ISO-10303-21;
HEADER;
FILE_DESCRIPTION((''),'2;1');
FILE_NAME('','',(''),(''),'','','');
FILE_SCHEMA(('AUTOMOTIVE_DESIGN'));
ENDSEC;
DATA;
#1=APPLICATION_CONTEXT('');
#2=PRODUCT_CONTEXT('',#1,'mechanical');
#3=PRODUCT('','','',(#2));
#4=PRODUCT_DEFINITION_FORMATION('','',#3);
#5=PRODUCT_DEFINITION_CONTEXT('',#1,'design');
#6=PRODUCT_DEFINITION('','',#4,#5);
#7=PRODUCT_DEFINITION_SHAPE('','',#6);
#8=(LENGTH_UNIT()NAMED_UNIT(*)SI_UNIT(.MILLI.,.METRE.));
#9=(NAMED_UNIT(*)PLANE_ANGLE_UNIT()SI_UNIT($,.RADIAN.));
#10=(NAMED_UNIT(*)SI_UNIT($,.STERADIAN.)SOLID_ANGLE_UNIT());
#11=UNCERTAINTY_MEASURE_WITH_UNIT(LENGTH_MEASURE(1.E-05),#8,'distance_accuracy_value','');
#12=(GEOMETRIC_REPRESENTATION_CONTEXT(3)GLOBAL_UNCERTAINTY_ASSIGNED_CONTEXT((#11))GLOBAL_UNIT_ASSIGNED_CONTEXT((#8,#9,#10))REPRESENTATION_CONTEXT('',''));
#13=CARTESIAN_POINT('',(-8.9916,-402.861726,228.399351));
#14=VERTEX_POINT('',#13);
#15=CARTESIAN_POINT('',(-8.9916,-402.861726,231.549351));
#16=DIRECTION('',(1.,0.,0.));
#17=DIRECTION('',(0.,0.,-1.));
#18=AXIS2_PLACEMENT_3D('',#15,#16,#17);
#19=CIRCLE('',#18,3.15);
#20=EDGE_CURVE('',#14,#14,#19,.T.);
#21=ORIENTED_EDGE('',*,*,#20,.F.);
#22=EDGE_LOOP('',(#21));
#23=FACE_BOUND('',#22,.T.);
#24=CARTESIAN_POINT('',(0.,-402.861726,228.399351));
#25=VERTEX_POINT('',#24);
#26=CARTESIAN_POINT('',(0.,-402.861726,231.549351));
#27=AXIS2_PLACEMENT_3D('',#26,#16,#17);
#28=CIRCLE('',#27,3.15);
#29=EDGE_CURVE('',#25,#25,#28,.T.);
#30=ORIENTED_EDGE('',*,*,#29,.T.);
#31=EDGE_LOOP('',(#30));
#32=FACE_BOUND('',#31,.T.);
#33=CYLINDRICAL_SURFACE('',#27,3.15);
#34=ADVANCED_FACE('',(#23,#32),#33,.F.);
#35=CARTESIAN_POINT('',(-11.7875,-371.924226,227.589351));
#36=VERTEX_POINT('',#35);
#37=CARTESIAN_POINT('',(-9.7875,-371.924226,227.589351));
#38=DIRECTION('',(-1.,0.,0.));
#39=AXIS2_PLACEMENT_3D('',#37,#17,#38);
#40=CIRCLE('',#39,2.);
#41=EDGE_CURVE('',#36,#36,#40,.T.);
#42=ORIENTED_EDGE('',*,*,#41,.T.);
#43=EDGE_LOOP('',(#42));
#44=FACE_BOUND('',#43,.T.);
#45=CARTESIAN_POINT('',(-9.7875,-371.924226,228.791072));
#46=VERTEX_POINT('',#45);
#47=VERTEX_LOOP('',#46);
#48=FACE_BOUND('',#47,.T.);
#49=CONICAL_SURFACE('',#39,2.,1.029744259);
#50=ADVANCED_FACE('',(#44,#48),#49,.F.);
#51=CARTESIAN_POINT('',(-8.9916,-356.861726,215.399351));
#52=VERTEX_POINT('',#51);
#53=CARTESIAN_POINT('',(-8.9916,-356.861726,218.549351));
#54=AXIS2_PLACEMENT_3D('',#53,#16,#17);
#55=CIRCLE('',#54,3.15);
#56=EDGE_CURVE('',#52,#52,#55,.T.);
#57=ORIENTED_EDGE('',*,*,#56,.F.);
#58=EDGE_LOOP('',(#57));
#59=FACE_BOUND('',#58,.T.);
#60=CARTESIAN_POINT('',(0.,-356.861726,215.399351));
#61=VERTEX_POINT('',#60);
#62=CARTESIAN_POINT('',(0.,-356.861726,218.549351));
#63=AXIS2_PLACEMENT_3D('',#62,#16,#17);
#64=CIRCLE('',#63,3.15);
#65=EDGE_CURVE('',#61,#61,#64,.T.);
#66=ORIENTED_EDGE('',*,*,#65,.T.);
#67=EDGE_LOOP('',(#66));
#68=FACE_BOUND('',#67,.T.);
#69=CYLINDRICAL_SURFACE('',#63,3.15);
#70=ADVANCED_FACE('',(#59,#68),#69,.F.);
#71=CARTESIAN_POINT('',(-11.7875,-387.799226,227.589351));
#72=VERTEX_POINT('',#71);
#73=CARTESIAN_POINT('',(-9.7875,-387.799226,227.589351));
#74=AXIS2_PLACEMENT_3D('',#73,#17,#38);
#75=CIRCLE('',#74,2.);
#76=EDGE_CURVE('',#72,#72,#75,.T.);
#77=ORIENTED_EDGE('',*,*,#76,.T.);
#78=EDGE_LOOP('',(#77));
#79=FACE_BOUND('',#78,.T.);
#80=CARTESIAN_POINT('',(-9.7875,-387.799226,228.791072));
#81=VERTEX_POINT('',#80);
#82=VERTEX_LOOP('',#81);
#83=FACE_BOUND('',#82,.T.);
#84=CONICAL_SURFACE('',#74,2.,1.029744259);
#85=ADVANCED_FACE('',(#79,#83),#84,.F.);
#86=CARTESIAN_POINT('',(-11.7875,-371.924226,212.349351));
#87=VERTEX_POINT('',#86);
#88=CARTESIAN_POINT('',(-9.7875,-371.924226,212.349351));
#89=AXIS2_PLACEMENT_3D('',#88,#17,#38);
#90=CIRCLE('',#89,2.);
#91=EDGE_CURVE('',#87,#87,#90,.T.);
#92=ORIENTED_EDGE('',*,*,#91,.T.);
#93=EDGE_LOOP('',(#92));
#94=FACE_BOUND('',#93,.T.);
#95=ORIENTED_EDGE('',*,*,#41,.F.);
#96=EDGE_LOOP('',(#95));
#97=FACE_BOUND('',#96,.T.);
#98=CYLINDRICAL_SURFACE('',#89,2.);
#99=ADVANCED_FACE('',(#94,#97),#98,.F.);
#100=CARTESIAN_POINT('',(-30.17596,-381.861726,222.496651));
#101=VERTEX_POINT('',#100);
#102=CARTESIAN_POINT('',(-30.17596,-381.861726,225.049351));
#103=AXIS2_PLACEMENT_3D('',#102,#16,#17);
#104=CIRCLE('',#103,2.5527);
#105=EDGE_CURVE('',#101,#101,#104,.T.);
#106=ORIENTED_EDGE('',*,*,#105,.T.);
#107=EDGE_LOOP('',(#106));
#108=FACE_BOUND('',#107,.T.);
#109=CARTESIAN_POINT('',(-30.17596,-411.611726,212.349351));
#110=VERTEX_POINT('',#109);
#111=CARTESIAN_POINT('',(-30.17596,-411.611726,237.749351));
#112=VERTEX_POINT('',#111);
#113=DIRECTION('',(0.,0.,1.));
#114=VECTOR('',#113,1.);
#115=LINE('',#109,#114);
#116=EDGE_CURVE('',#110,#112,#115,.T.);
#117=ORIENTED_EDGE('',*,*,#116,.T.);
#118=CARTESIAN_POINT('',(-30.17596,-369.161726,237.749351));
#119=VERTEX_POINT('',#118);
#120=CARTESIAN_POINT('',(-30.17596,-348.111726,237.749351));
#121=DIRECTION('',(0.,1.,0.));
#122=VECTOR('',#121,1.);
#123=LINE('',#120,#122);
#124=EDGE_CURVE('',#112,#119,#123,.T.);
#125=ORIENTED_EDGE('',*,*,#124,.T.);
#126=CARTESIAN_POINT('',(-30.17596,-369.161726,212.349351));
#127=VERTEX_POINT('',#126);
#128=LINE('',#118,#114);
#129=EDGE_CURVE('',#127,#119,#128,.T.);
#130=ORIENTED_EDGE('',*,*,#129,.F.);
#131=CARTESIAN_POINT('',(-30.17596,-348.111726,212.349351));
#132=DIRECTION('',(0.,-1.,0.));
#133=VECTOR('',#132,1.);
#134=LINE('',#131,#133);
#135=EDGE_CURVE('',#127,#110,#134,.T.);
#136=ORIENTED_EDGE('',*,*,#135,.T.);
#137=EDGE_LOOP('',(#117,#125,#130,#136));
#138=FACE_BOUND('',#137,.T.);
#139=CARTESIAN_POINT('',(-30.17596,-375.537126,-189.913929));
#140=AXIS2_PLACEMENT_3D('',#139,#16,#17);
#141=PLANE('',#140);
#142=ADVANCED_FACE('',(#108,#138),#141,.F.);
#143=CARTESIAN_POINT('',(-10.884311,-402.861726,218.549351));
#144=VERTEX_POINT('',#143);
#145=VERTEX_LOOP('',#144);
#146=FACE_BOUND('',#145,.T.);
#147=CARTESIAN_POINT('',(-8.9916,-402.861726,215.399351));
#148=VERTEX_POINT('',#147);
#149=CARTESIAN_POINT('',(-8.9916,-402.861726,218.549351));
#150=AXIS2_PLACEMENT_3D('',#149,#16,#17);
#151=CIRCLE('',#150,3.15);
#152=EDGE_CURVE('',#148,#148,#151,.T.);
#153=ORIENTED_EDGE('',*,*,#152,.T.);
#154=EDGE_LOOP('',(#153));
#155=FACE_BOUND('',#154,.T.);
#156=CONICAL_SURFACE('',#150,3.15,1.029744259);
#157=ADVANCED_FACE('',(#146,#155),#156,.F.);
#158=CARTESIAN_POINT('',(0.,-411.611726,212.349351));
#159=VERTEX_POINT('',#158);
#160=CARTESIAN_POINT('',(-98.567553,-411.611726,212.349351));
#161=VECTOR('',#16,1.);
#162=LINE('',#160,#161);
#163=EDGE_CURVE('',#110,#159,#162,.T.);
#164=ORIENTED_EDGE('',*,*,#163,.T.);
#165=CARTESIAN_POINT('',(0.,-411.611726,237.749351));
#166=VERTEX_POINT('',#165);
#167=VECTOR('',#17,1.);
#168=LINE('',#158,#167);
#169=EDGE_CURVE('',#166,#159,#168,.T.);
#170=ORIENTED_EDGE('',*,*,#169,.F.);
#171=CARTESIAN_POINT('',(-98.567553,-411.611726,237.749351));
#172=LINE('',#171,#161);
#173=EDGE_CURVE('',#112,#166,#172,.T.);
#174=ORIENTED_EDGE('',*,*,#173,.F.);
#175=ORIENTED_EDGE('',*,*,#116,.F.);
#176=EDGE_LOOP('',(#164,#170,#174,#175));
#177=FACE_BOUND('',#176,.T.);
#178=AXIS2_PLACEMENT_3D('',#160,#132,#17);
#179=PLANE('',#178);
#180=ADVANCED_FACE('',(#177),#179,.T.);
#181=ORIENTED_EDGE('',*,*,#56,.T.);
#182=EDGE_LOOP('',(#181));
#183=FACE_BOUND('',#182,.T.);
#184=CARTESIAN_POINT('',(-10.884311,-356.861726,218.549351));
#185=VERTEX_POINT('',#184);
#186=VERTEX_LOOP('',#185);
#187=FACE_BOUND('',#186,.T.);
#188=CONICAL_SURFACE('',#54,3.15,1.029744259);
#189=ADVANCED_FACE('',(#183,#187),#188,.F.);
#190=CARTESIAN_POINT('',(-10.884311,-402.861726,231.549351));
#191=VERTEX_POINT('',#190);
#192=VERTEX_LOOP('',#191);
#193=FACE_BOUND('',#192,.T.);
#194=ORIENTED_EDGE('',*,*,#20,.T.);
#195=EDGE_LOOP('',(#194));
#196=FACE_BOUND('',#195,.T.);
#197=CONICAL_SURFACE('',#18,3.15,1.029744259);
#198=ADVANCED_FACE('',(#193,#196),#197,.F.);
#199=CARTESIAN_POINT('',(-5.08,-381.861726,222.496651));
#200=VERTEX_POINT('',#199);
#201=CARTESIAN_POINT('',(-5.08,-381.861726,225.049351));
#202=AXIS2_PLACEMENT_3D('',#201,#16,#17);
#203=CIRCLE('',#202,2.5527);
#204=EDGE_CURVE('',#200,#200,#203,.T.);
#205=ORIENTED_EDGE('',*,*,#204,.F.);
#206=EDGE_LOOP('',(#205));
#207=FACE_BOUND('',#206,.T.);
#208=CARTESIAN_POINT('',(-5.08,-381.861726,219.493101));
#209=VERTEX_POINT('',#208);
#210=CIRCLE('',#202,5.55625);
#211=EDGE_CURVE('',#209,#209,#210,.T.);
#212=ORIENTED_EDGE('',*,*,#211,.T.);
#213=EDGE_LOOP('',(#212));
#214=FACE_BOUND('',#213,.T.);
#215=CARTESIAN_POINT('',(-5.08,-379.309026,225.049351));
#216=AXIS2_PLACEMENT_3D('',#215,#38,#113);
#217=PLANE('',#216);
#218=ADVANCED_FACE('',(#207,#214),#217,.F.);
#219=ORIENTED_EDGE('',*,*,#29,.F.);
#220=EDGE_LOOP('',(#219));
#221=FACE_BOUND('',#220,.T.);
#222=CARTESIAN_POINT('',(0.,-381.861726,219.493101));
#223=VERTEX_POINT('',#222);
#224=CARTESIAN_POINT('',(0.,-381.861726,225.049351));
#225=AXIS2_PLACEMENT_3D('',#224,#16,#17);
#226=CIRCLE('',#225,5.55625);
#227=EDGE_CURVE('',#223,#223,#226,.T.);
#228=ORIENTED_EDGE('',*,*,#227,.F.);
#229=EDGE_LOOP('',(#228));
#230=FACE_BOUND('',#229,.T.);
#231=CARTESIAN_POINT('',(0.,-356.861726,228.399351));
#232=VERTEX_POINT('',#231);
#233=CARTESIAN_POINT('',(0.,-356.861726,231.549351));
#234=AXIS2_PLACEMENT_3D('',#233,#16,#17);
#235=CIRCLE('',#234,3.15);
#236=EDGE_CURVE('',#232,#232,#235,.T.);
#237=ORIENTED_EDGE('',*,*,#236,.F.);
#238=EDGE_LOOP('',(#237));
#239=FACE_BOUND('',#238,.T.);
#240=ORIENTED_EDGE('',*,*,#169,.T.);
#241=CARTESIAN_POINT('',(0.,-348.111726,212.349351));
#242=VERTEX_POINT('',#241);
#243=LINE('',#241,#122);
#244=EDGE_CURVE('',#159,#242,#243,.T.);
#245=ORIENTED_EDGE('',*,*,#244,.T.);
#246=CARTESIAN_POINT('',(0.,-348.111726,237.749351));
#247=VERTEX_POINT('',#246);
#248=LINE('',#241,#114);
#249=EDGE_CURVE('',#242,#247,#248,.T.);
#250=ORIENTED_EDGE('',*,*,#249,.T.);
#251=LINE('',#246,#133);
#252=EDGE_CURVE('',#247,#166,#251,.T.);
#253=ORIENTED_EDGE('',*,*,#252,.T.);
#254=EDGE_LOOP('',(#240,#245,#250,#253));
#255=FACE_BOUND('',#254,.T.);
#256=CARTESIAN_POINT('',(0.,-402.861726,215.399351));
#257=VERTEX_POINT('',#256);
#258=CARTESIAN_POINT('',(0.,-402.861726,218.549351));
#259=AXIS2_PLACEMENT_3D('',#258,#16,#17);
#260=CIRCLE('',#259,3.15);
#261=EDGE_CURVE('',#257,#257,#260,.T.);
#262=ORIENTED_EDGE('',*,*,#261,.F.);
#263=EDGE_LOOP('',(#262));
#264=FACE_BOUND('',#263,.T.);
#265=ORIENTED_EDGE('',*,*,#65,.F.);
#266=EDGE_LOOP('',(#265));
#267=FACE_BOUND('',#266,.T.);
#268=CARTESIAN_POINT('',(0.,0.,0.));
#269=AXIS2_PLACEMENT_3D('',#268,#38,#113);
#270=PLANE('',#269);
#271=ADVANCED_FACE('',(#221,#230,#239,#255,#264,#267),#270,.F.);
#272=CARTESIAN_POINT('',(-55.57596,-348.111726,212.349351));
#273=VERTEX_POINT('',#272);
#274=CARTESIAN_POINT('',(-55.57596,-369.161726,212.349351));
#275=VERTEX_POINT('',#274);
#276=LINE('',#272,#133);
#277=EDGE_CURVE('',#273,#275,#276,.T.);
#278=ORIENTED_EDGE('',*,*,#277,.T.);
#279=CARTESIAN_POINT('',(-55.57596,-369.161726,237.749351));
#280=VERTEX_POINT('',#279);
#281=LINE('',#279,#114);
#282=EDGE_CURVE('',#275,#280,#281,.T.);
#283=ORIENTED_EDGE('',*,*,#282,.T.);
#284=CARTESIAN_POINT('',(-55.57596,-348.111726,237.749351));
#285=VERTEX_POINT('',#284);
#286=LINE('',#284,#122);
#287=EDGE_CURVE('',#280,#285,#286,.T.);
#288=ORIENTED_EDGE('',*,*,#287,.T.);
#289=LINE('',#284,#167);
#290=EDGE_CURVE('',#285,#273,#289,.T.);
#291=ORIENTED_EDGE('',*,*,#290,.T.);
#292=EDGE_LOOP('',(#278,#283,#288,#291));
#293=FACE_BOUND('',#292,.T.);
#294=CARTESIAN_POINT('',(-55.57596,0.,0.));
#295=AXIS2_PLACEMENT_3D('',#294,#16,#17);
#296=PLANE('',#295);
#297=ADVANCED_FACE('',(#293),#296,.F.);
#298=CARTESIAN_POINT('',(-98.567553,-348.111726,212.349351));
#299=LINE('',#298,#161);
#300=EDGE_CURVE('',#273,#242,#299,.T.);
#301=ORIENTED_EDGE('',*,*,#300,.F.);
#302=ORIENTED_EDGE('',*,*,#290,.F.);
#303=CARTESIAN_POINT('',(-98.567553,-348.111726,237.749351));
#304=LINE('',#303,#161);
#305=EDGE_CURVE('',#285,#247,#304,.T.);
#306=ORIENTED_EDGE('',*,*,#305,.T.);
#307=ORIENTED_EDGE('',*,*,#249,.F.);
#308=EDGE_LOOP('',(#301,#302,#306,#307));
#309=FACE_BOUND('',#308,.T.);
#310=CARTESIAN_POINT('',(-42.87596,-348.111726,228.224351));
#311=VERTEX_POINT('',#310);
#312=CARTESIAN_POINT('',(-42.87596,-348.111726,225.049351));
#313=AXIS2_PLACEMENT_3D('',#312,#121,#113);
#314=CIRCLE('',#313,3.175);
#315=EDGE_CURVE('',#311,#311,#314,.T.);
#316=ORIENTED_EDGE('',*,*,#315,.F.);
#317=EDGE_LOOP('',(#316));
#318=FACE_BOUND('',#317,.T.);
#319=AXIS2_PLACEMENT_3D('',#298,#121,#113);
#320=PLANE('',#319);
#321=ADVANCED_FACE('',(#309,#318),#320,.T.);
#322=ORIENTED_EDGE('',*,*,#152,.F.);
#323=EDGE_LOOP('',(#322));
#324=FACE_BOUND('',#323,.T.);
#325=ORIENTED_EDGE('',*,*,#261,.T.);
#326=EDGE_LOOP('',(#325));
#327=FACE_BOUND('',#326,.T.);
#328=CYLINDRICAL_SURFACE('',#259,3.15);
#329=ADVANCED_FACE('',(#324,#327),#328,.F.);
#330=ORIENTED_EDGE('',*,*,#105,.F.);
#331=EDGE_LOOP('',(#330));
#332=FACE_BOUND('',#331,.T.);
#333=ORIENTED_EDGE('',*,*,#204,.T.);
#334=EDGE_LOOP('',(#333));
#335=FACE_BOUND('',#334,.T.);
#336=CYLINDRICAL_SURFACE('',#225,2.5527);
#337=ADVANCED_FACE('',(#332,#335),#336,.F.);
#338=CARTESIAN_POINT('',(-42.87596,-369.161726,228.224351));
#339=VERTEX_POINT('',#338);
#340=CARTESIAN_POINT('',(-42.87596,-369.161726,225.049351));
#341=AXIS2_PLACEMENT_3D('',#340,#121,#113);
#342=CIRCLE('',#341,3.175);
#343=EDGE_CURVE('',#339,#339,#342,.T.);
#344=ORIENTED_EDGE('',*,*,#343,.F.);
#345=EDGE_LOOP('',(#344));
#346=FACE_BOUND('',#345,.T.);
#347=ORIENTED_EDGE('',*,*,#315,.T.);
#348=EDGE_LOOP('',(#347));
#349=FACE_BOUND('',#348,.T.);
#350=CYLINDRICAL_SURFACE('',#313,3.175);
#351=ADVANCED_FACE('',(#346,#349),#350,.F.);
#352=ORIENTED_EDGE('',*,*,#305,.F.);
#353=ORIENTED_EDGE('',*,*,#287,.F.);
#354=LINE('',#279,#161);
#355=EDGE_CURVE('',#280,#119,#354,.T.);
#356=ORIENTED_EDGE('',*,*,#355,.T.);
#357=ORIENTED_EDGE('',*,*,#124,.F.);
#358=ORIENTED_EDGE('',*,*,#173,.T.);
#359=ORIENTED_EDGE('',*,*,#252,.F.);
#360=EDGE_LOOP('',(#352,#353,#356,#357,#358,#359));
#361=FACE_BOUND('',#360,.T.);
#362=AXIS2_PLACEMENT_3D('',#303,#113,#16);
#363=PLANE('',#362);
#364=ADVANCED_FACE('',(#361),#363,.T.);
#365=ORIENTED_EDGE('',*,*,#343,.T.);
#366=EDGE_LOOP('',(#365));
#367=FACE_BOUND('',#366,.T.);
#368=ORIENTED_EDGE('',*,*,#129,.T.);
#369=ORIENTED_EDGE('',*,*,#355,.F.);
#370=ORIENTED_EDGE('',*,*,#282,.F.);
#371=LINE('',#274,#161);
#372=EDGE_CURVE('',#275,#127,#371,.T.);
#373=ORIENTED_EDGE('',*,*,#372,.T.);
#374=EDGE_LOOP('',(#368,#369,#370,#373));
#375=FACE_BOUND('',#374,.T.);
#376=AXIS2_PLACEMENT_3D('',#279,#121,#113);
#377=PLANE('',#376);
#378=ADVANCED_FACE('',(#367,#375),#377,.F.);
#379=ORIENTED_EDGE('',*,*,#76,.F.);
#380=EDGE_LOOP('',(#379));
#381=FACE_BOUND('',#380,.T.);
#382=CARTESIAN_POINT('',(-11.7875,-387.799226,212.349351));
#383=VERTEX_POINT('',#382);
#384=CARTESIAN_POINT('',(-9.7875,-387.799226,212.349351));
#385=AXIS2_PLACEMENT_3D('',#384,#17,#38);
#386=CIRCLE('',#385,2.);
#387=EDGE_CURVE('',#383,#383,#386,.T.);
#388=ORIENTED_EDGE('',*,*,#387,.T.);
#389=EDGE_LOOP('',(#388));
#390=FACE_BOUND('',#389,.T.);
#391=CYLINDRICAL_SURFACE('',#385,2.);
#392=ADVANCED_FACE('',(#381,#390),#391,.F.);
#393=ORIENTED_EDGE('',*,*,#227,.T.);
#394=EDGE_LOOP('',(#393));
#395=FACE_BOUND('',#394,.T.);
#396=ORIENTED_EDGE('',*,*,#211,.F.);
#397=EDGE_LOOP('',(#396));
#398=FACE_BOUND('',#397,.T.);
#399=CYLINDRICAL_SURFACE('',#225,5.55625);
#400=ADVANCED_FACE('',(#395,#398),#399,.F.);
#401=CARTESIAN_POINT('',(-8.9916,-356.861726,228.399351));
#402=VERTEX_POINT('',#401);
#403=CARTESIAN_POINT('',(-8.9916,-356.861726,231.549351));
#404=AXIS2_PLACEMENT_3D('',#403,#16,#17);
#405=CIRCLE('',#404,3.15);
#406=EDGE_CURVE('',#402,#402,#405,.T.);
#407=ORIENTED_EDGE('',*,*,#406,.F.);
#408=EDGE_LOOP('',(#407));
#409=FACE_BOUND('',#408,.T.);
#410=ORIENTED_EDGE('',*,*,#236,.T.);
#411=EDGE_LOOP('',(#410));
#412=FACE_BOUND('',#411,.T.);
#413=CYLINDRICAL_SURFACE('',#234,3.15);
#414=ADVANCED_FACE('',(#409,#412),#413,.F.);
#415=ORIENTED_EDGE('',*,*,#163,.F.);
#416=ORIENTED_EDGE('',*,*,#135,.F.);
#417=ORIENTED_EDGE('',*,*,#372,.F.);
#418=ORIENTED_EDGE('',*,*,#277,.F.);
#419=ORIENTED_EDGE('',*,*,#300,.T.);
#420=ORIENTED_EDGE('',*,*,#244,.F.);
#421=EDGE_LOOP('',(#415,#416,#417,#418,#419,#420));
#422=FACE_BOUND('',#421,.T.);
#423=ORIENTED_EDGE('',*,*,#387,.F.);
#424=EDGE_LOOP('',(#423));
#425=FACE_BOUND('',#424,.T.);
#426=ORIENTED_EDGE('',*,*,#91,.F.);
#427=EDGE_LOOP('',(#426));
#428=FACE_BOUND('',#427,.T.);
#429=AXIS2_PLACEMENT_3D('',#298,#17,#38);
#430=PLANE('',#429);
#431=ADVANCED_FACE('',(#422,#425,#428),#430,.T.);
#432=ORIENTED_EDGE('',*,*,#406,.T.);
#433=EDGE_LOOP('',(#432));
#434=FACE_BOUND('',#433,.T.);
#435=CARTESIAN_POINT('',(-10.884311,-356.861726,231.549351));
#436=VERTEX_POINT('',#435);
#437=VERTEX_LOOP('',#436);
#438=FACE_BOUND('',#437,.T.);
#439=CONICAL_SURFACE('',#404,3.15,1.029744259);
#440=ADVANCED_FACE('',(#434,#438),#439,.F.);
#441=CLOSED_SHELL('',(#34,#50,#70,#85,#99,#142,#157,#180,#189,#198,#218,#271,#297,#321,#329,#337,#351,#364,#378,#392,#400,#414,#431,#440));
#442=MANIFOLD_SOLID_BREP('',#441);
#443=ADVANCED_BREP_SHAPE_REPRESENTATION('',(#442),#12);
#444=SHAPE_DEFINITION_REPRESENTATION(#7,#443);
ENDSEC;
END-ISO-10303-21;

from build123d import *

# Parameters (mm, degrees)
SKETCH2_W                                           = 25.4
SKETCH2_H                                           = 63.5
BOSS_EXTRUDE1_DEPTH                                 = 30.17596
SKETCH3_W                                           = 25.4
SKETCH3_H                                           = 21.05
BOSS_EXTRUDE2_DEPTH                                 = 25.4
F_1_4_0_25_DIAMETER_HOLE1_D                         = 6.35
F_1_0MM_DOWEL_HOLE1_D                               = 6.3
F_1_0MM_DOWEL_HOLE1_DEPTH                           = 8.9916
F_1_0MM_DOWEL_HOLE1_TIP                             = 1.89271095
TAP_DRILL_FOR_5_HELICOIL0_D                         = 4
TAP_DRILL_FOR_5_HELICOIL0_DEPTH                     = 15.24
TAP_DRILL_FOR_5_HELICOIL0_TIP                       = 1.201721238
CBORE_FOR_10_BINDING_HEAD_MACHINE_SCREW_D           = 5.1054
CBORE_FOR_10_BINDING_HEAD_MACHINE_SCREW_DEPTH       = 30.17596
CBORE_FOR_10_BINDING_HEAD_MACHINE_SCREW_CBORE_D     = 11.1125
CBORE_FOR_10_BINDING_HEAD_MACHINE_SCREW_CBORE_DEPTH = 5.08


with BuildPart() as part:
    # Sketch2 → Boss-Extrude1 (new body)
    with BuildSketch(Plane(origin=(0, 0, 0), x_dir=(0, 0, -1), z_dir=(1, 0, 0))):
        with Locations((-225.049350785, -379.861725806)):
            Rectangle(SKETCH2_W, SKETCH2_H)
    extrude(amount=-BOSS_EXTRUDE1_DEPTH)

    # Sketch3 → Boss-Extrude2 (add)
    with BuildSketch(Plane.ZY.offset(30.17596)):
        with Locations((225.049350785, -358.636725806)):
            Rectangle(SKETCH3_W, SKETCH3_H)
    extrude(amount=BOSS_EXTRUDE2_DEPTH)

    # 1/4 (0.25) Diameter Hole1 (through all)
    with Locations(Plane(origin=(0, -348.111725806, 0), x_dir=(1, 0, 0), z_dir=(0, 1, 0))):
        with Locations((-42.87596, -225.049350785)):
            Hole(F_1_4_0_25_DIAMETER_HOLE1_D / 2)

    # Ø1.0mm Dowel Hole1
    with Locations(Plane(origin=(0, 0, 0), x_dir=(0, 0, -1), z_dir=(1, 0, 0))):
        with Locations((-231.549350785, -356.861725806), (-218.549350785, -356.861725806), (-218.549350785, -402.861725806), (-231.549350785, -402.861725806)):
            Hole(F_1_0MM_DOWEL_HOLE1_D / 2, depth=F_1_0MM_DOWEL_HOLE1_DEPTH)
            with Locations((0, 0, -(F_1_0MM_DOWEL_HOLE1_DEPTH + F_1_0MM_DOWEL_HOLE1_TIP / 2))):  # 118° drill point
                Cone(0, F_1_0MM_DOWEL_HOLE1_D / 2, F_1_0MM_DOWEL_HOLE1_TIP, mode=Mode.SUBTRACT)

    # Tap Drill for #5 Helicoil0
    with Locations(Plane(origin=(0, 0, 212.349350785), x_dir=(-1, 0, 0), z_dir=(0, 0, -1))):
        with Locations((9.7875, -371.924225806), (9.7875, -387.799225806)):
            Hole(TAP_DRILL_FOR_5_HELICOIL0_D / 2, depth=TAP_DRILL_FOR_5_HELICOIL0_DEPTH)
            with Locations((0, 0, -(TAP_DRILL_FOR_5_HELICOIL0_DEPTH + TAP_DRILL_FOR_5_HELICOIL0_TIP / 2))):  # 118° drill point
                Cone(0, TAP_DRILL_FOR_5_HELICOIL0_D / 2, TAP_DRILL_FOR_5_HELICOIL0_TIP, mode=Mode.SUBTRACT)

    # CBORE for #10 Binding Head Machine Screw1
    with Locations(Plane(origin=(0, 0, 0), x_dir=(0, 0, -1), z_dir=(1, 0, 0))):
        with Locations((-225.049350785, -381.861725806)):
            CounterBoreHole(CBORE_FOR_10_BINDING_HEAD_MACHINE_SCREW_D / 2, CBORE_FOR_10_BINDING_HEAD_MACHINE_SCREW_CBORE_D / 2, CBORE_FOR_10_BINDING_HEAD_MACHINE_SCREW_CBORE_DEPTH, depth=CBORE_FOR_10_BINDING_HEAD_MACHINE_SCREW_DEPTH)


solid = part.part
